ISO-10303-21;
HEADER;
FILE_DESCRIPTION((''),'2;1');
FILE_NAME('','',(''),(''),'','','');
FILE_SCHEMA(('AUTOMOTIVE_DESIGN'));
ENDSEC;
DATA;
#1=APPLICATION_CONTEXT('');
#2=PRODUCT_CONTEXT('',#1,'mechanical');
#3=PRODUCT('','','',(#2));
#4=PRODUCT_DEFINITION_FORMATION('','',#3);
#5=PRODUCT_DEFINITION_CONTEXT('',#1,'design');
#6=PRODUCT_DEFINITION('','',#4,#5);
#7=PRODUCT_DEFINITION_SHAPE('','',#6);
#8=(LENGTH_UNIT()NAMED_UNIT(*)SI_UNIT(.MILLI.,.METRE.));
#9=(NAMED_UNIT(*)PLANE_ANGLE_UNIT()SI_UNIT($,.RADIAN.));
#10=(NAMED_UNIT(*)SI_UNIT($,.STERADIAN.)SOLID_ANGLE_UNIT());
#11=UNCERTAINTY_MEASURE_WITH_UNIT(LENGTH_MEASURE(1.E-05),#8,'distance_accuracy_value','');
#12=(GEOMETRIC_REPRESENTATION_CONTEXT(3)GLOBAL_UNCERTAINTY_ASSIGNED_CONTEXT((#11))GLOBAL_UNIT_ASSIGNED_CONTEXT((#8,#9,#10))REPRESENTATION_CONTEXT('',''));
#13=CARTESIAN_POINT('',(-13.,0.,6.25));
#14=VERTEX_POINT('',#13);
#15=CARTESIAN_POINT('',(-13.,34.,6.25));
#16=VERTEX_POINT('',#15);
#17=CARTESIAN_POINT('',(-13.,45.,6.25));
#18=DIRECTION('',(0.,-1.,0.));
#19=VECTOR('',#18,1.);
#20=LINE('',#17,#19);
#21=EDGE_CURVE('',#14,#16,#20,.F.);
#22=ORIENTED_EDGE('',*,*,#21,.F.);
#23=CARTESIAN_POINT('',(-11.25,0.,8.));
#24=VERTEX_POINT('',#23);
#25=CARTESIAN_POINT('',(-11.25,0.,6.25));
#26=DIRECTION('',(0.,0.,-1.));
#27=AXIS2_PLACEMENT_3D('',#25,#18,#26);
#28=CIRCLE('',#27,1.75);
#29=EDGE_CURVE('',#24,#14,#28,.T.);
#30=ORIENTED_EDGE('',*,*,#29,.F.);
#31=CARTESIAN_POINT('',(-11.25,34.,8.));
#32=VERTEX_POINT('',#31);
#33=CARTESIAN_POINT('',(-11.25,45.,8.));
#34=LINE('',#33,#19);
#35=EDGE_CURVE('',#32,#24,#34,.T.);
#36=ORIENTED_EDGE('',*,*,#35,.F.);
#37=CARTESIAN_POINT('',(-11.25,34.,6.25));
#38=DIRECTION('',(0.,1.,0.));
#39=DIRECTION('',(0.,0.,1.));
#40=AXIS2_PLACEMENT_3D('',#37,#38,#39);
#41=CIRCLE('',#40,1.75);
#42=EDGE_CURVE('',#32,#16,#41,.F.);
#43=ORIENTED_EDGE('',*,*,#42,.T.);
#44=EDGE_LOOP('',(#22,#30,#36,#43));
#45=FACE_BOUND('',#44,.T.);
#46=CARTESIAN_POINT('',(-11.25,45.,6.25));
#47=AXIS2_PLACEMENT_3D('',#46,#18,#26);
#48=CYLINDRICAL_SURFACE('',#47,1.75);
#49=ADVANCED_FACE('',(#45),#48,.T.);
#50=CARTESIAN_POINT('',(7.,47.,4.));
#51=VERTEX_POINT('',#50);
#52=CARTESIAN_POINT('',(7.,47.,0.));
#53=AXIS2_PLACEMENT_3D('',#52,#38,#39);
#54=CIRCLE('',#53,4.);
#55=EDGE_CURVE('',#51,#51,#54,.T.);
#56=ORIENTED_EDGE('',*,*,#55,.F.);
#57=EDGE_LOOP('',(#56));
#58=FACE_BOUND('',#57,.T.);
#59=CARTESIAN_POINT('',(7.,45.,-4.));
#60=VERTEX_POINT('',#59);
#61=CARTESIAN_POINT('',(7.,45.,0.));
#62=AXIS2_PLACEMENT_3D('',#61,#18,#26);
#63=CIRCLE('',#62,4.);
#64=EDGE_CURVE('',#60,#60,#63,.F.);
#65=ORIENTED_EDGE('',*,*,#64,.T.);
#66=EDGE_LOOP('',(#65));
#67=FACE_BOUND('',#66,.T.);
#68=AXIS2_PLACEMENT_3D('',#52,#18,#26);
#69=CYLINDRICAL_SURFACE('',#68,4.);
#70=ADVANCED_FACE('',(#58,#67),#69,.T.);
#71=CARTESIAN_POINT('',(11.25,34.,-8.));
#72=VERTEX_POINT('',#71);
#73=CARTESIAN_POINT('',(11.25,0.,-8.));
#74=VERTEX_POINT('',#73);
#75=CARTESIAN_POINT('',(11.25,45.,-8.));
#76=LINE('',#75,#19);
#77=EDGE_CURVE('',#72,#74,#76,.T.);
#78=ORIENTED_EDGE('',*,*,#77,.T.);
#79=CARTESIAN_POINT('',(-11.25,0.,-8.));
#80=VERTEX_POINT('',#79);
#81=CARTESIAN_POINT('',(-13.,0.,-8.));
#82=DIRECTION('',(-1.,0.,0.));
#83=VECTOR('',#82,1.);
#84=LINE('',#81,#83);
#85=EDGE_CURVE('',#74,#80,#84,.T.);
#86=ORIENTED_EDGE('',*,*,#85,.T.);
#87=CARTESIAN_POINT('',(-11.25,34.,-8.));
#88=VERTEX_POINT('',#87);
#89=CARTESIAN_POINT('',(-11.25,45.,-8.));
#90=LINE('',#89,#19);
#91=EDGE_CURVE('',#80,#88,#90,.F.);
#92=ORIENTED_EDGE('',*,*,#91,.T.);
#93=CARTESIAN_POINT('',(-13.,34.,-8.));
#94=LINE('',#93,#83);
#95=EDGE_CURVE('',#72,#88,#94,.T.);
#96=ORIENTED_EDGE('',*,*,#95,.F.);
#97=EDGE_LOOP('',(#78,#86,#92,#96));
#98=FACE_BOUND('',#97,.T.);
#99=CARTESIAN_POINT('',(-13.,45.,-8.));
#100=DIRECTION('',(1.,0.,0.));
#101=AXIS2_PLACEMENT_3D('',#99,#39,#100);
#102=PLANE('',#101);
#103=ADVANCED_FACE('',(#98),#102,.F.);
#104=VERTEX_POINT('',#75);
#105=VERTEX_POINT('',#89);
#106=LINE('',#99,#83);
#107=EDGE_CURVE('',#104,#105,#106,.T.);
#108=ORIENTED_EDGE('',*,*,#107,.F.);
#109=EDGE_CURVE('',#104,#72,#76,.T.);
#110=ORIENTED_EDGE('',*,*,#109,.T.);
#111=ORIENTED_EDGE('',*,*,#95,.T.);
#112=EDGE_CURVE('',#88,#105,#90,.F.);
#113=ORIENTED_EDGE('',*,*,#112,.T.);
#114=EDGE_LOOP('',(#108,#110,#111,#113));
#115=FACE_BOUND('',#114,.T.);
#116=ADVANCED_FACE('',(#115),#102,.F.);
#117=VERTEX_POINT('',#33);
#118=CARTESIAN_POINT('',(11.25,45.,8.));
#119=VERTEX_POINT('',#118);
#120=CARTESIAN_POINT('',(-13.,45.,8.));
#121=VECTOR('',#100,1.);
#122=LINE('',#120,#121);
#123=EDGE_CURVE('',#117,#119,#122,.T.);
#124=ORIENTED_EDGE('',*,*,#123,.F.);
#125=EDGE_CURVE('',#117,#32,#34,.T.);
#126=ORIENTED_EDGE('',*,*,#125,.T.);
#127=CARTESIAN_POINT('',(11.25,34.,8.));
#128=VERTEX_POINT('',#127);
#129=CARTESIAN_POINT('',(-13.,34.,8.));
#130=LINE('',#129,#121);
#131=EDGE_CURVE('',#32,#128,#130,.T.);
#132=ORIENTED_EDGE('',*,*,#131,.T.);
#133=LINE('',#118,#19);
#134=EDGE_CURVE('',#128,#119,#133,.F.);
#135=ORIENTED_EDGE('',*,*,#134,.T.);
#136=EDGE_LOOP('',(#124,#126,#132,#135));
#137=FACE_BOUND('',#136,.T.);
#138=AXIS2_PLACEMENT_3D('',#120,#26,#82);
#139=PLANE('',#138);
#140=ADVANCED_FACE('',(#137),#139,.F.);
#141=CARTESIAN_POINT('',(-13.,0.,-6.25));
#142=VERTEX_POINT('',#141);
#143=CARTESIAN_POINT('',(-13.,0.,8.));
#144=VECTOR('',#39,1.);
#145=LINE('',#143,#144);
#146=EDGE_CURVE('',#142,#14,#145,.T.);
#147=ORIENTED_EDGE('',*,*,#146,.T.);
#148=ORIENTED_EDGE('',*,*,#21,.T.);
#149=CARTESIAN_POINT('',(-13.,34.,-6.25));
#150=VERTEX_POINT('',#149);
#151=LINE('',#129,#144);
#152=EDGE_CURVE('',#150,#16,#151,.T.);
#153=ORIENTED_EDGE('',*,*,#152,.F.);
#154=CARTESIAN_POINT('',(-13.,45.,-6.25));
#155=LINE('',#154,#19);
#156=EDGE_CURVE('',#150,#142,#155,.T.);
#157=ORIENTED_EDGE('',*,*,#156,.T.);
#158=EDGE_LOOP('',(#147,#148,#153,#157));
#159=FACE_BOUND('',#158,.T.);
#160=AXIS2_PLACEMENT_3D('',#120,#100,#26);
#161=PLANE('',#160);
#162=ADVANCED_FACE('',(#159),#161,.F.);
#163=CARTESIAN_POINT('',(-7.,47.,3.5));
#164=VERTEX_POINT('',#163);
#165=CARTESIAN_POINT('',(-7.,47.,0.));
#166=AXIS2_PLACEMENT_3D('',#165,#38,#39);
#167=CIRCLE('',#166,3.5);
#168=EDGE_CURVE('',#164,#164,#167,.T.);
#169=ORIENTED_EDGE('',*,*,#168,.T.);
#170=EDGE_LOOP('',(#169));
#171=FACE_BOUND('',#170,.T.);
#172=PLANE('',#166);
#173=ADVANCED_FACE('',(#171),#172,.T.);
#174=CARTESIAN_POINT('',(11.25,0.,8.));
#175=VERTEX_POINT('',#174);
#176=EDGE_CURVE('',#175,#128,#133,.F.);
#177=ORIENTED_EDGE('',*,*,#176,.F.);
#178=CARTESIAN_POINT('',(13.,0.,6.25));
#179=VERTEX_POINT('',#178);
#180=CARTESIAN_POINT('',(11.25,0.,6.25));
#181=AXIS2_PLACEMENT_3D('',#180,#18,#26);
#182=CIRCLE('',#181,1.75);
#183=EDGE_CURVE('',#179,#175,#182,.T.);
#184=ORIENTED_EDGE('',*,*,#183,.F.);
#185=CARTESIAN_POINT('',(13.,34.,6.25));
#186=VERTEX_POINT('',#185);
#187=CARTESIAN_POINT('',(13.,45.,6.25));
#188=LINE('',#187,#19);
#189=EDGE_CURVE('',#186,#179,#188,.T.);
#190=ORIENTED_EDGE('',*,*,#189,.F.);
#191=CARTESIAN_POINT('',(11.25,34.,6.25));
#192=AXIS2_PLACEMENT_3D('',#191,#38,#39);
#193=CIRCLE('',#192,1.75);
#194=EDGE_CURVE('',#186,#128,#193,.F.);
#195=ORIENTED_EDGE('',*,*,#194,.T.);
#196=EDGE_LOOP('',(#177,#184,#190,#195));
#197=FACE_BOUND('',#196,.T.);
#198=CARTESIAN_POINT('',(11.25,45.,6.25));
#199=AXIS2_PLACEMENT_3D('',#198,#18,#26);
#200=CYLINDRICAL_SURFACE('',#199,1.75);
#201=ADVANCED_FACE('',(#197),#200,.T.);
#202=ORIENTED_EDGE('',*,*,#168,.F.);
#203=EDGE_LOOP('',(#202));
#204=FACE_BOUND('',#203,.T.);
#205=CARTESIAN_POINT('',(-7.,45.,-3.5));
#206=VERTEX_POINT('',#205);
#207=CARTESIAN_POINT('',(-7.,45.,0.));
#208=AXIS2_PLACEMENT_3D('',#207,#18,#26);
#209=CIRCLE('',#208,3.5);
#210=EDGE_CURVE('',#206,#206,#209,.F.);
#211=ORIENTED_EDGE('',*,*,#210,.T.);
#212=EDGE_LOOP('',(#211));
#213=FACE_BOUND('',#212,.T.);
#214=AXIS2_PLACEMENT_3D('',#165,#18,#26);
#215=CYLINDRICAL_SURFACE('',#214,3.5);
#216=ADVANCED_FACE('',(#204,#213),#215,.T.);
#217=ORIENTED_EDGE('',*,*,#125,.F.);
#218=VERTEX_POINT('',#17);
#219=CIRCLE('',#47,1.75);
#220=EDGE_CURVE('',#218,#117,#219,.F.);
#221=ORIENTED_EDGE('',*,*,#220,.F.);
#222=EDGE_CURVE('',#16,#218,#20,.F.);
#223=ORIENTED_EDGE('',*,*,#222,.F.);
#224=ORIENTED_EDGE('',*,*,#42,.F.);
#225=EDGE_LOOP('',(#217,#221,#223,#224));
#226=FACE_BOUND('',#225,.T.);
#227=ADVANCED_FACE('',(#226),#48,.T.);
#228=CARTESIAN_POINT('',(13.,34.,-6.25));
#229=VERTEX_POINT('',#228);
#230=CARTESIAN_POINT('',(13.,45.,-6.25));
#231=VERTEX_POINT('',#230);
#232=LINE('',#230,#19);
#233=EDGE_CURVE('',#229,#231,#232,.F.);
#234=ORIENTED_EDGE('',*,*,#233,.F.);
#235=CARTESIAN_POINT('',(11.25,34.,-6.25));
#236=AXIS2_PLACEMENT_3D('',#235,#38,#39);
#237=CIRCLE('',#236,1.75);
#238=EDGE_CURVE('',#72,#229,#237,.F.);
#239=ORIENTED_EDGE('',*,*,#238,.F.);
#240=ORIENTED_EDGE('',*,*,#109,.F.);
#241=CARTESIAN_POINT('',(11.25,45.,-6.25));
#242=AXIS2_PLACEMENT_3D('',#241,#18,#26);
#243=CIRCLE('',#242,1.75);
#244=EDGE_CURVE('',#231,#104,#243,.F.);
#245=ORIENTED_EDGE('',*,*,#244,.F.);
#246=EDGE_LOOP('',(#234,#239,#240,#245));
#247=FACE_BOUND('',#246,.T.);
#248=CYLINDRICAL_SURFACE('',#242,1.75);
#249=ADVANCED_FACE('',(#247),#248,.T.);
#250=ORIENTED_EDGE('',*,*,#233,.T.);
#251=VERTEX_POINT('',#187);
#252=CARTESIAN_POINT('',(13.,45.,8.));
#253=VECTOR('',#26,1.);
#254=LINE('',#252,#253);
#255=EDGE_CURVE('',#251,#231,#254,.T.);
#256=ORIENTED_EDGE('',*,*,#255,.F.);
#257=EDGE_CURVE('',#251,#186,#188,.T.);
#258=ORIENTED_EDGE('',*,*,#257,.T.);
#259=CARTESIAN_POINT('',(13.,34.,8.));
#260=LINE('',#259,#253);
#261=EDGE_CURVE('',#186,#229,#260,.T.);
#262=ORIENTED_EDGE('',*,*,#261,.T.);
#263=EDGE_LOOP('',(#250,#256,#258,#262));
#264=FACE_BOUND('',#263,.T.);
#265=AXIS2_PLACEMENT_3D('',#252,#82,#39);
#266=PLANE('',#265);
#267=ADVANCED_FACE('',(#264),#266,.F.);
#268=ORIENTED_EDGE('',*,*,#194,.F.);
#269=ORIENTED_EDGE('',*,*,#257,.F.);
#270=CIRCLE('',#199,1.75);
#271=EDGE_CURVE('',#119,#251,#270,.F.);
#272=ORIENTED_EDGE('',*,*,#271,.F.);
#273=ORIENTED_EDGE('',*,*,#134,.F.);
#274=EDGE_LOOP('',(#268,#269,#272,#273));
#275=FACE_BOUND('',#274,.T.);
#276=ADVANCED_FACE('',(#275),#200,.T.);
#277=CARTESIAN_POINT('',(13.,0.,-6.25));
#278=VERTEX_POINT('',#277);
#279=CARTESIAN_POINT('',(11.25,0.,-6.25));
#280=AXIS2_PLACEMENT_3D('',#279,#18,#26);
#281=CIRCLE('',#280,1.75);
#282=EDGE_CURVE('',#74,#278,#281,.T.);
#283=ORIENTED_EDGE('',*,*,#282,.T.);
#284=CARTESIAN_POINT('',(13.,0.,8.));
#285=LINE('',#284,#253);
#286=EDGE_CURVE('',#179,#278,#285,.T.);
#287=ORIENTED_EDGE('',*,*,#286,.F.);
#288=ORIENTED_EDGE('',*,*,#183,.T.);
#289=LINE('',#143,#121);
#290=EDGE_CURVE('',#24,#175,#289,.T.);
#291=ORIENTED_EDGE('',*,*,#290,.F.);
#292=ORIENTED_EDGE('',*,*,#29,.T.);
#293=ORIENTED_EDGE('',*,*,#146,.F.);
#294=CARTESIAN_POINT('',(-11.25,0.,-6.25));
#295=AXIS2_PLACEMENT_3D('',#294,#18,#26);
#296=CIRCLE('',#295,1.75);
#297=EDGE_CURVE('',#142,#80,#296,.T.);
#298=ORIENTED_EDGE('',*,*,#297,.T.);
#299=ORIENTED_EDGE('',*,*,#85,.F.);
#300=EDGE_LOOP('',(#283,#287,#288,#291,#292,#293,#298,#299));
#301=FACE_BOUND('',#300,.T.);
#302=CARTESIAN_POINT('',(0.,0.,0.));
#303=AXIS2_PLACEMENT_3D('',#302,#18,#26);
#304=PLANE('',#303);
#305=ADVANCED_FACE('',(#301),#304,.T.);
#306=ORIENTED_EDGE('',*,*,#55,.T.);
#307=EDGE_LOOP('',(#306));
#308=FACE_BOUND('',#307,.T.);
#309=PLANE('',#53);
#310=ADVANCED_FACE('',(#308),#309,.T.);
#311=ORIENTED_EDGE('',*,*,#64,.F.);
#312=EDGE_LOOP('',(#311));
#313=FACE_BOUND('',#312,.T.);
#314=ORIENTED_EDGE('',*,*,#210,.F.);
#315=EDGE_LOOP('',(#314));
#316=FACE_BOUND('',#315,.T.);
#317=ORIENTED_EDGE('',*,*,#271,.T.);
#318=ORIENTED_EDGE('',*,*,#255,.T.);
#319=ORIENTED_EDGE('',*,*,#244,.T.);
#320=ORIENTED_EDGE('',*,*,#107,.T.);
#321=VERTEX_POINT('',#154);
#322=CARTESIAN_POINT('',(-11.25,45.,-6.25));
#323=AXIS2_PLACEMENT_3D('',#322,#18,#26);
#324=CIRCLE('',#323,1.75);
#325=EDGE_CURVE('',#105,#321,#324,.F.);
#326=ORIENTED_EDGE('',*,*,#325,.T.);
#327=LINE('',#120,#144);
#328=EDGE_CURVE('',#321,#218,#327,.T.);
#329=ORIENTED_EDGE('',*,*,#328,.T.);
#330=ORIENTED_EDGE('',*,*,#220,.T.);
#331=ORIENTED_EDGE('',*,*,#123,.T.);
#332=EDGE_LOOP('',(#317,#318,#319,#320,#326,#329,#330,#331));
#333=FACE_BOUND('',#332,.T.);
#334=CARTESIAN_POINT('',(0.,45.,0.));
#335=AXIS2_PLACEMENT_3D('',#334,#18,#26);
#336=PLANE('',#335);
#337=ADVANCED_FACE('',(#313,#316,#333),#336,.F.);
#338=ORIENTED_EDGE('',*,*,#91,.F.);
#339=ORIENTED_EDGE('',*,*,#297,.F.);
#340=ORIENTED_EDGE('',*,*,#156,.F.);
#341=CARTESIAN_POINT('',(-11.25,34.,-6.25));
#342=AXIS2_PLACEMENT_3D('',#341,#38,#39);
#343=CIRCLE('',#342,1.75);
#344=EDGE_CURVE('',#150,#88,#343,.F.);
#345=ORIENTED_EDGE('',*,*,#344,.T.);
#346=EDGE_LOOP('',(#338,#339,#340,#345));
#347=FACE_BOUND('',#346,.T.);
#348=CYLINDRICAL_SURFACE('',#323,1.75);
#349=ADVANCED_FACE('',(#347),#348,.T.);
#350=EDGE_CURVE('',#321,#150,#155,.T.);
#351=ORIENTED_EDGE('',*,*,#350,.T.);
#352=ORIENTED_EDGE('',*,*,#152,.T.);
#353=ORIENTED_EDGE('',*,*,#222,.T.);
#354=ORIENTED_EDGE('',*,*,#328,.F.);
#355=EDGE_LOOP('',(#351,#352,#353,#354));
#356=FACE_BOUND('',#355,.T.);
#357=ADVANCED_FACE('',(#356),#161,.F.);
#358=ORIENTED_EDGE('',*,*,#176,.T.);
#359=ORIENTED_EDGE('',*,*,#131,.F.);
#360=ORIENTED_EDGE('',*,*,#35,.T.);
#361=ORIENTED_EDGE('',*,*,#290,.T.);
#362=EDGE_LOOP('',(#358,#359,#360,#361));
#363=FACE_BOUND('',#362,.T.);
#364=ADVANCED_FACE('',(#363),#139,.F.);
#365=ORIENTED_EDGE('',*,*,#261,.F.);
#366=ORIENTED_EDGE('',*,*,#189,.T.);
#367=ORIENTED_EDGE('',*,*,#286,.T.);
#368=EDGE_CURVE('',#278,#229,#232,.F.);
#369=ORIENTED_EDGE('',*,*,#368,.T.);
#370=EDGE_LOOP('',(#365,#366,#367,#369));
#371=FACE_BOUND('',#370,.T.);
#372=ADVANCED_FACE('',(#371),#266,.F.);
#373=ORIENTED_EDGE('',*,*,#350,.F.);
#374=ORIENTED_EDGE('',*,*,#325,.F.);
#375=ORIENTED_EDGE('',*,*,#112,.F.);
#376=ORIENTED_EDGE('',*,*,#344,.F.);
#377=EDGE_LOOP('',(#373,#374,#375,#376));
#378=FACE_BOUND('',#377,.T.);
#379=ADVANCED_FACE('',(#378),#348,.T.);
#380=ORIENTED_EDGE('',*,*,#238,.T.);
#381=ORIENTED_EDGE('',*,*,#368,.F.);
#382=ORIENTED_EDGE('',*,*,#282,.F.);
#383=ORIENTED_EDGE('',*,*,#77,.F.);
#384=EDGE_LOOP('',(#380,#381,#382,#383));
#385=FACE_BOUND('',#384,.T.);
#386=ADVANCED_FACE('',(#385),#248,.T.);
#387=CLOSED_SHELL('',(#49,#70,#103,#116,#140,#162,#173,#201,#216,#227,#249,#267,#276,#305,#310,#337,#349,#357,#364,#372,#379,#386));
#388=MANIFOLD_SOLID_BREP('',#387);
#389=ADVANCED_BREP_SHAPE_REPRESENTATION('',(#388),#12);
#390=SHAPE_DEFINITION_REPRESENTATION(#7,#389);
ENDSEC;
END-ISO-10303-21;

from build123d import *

# Parameters (mm, degrees)
SKETCH1_W           = 26
SKETCH1_H           = 16
BOSS_EXTRUDE1_DEPTH = 45
SKETCH2_R           = 3.5
SKETCH2_R_2         = 4
BOSS_EXTRUDE2_DEPTH = 2
FILLET1_R           = 1.75


with BuildPart() as part:
    # Sketch1 → Boss-Extrude1 (new body)
    with BuildSketch(Plane(origin=(0, 0, 0), x_dir=(1, 0, 0), z_dir=(0, 1, 0))):
        Rectangle(SKETCH1_W, SKETCH1_H)
    extrude(amount=BOSS_EXTRUDE1_DEPTH)

    # Sketch2 → Boss-Extrude2 (add)
    with BuildSketch(Plane(origin=(0, 45, 0), x_dir=(1, 0, 0), z_dir=(0, 1, 0))):
        with Locations((-7, 0)):
            Circle(SKETCH2_R)
        with Locations((7, 0)):
            Circle(SKETCH2_R_2)
    extrude(amount=BOSS_EXTRUDE2_DEPTH)

    # Fillet1
    fillet1_edges = [part.edges().sort_by_distance(p)[0] for p in [
        (13, 22.5, 8),
        (-13, 22.5, 8),
        (-13, 22.5, -8),
        (13, 22.5, -8),
    ]]
    fillet(fillet1_edges, radius=FILLET1_R)


solid = part.part
